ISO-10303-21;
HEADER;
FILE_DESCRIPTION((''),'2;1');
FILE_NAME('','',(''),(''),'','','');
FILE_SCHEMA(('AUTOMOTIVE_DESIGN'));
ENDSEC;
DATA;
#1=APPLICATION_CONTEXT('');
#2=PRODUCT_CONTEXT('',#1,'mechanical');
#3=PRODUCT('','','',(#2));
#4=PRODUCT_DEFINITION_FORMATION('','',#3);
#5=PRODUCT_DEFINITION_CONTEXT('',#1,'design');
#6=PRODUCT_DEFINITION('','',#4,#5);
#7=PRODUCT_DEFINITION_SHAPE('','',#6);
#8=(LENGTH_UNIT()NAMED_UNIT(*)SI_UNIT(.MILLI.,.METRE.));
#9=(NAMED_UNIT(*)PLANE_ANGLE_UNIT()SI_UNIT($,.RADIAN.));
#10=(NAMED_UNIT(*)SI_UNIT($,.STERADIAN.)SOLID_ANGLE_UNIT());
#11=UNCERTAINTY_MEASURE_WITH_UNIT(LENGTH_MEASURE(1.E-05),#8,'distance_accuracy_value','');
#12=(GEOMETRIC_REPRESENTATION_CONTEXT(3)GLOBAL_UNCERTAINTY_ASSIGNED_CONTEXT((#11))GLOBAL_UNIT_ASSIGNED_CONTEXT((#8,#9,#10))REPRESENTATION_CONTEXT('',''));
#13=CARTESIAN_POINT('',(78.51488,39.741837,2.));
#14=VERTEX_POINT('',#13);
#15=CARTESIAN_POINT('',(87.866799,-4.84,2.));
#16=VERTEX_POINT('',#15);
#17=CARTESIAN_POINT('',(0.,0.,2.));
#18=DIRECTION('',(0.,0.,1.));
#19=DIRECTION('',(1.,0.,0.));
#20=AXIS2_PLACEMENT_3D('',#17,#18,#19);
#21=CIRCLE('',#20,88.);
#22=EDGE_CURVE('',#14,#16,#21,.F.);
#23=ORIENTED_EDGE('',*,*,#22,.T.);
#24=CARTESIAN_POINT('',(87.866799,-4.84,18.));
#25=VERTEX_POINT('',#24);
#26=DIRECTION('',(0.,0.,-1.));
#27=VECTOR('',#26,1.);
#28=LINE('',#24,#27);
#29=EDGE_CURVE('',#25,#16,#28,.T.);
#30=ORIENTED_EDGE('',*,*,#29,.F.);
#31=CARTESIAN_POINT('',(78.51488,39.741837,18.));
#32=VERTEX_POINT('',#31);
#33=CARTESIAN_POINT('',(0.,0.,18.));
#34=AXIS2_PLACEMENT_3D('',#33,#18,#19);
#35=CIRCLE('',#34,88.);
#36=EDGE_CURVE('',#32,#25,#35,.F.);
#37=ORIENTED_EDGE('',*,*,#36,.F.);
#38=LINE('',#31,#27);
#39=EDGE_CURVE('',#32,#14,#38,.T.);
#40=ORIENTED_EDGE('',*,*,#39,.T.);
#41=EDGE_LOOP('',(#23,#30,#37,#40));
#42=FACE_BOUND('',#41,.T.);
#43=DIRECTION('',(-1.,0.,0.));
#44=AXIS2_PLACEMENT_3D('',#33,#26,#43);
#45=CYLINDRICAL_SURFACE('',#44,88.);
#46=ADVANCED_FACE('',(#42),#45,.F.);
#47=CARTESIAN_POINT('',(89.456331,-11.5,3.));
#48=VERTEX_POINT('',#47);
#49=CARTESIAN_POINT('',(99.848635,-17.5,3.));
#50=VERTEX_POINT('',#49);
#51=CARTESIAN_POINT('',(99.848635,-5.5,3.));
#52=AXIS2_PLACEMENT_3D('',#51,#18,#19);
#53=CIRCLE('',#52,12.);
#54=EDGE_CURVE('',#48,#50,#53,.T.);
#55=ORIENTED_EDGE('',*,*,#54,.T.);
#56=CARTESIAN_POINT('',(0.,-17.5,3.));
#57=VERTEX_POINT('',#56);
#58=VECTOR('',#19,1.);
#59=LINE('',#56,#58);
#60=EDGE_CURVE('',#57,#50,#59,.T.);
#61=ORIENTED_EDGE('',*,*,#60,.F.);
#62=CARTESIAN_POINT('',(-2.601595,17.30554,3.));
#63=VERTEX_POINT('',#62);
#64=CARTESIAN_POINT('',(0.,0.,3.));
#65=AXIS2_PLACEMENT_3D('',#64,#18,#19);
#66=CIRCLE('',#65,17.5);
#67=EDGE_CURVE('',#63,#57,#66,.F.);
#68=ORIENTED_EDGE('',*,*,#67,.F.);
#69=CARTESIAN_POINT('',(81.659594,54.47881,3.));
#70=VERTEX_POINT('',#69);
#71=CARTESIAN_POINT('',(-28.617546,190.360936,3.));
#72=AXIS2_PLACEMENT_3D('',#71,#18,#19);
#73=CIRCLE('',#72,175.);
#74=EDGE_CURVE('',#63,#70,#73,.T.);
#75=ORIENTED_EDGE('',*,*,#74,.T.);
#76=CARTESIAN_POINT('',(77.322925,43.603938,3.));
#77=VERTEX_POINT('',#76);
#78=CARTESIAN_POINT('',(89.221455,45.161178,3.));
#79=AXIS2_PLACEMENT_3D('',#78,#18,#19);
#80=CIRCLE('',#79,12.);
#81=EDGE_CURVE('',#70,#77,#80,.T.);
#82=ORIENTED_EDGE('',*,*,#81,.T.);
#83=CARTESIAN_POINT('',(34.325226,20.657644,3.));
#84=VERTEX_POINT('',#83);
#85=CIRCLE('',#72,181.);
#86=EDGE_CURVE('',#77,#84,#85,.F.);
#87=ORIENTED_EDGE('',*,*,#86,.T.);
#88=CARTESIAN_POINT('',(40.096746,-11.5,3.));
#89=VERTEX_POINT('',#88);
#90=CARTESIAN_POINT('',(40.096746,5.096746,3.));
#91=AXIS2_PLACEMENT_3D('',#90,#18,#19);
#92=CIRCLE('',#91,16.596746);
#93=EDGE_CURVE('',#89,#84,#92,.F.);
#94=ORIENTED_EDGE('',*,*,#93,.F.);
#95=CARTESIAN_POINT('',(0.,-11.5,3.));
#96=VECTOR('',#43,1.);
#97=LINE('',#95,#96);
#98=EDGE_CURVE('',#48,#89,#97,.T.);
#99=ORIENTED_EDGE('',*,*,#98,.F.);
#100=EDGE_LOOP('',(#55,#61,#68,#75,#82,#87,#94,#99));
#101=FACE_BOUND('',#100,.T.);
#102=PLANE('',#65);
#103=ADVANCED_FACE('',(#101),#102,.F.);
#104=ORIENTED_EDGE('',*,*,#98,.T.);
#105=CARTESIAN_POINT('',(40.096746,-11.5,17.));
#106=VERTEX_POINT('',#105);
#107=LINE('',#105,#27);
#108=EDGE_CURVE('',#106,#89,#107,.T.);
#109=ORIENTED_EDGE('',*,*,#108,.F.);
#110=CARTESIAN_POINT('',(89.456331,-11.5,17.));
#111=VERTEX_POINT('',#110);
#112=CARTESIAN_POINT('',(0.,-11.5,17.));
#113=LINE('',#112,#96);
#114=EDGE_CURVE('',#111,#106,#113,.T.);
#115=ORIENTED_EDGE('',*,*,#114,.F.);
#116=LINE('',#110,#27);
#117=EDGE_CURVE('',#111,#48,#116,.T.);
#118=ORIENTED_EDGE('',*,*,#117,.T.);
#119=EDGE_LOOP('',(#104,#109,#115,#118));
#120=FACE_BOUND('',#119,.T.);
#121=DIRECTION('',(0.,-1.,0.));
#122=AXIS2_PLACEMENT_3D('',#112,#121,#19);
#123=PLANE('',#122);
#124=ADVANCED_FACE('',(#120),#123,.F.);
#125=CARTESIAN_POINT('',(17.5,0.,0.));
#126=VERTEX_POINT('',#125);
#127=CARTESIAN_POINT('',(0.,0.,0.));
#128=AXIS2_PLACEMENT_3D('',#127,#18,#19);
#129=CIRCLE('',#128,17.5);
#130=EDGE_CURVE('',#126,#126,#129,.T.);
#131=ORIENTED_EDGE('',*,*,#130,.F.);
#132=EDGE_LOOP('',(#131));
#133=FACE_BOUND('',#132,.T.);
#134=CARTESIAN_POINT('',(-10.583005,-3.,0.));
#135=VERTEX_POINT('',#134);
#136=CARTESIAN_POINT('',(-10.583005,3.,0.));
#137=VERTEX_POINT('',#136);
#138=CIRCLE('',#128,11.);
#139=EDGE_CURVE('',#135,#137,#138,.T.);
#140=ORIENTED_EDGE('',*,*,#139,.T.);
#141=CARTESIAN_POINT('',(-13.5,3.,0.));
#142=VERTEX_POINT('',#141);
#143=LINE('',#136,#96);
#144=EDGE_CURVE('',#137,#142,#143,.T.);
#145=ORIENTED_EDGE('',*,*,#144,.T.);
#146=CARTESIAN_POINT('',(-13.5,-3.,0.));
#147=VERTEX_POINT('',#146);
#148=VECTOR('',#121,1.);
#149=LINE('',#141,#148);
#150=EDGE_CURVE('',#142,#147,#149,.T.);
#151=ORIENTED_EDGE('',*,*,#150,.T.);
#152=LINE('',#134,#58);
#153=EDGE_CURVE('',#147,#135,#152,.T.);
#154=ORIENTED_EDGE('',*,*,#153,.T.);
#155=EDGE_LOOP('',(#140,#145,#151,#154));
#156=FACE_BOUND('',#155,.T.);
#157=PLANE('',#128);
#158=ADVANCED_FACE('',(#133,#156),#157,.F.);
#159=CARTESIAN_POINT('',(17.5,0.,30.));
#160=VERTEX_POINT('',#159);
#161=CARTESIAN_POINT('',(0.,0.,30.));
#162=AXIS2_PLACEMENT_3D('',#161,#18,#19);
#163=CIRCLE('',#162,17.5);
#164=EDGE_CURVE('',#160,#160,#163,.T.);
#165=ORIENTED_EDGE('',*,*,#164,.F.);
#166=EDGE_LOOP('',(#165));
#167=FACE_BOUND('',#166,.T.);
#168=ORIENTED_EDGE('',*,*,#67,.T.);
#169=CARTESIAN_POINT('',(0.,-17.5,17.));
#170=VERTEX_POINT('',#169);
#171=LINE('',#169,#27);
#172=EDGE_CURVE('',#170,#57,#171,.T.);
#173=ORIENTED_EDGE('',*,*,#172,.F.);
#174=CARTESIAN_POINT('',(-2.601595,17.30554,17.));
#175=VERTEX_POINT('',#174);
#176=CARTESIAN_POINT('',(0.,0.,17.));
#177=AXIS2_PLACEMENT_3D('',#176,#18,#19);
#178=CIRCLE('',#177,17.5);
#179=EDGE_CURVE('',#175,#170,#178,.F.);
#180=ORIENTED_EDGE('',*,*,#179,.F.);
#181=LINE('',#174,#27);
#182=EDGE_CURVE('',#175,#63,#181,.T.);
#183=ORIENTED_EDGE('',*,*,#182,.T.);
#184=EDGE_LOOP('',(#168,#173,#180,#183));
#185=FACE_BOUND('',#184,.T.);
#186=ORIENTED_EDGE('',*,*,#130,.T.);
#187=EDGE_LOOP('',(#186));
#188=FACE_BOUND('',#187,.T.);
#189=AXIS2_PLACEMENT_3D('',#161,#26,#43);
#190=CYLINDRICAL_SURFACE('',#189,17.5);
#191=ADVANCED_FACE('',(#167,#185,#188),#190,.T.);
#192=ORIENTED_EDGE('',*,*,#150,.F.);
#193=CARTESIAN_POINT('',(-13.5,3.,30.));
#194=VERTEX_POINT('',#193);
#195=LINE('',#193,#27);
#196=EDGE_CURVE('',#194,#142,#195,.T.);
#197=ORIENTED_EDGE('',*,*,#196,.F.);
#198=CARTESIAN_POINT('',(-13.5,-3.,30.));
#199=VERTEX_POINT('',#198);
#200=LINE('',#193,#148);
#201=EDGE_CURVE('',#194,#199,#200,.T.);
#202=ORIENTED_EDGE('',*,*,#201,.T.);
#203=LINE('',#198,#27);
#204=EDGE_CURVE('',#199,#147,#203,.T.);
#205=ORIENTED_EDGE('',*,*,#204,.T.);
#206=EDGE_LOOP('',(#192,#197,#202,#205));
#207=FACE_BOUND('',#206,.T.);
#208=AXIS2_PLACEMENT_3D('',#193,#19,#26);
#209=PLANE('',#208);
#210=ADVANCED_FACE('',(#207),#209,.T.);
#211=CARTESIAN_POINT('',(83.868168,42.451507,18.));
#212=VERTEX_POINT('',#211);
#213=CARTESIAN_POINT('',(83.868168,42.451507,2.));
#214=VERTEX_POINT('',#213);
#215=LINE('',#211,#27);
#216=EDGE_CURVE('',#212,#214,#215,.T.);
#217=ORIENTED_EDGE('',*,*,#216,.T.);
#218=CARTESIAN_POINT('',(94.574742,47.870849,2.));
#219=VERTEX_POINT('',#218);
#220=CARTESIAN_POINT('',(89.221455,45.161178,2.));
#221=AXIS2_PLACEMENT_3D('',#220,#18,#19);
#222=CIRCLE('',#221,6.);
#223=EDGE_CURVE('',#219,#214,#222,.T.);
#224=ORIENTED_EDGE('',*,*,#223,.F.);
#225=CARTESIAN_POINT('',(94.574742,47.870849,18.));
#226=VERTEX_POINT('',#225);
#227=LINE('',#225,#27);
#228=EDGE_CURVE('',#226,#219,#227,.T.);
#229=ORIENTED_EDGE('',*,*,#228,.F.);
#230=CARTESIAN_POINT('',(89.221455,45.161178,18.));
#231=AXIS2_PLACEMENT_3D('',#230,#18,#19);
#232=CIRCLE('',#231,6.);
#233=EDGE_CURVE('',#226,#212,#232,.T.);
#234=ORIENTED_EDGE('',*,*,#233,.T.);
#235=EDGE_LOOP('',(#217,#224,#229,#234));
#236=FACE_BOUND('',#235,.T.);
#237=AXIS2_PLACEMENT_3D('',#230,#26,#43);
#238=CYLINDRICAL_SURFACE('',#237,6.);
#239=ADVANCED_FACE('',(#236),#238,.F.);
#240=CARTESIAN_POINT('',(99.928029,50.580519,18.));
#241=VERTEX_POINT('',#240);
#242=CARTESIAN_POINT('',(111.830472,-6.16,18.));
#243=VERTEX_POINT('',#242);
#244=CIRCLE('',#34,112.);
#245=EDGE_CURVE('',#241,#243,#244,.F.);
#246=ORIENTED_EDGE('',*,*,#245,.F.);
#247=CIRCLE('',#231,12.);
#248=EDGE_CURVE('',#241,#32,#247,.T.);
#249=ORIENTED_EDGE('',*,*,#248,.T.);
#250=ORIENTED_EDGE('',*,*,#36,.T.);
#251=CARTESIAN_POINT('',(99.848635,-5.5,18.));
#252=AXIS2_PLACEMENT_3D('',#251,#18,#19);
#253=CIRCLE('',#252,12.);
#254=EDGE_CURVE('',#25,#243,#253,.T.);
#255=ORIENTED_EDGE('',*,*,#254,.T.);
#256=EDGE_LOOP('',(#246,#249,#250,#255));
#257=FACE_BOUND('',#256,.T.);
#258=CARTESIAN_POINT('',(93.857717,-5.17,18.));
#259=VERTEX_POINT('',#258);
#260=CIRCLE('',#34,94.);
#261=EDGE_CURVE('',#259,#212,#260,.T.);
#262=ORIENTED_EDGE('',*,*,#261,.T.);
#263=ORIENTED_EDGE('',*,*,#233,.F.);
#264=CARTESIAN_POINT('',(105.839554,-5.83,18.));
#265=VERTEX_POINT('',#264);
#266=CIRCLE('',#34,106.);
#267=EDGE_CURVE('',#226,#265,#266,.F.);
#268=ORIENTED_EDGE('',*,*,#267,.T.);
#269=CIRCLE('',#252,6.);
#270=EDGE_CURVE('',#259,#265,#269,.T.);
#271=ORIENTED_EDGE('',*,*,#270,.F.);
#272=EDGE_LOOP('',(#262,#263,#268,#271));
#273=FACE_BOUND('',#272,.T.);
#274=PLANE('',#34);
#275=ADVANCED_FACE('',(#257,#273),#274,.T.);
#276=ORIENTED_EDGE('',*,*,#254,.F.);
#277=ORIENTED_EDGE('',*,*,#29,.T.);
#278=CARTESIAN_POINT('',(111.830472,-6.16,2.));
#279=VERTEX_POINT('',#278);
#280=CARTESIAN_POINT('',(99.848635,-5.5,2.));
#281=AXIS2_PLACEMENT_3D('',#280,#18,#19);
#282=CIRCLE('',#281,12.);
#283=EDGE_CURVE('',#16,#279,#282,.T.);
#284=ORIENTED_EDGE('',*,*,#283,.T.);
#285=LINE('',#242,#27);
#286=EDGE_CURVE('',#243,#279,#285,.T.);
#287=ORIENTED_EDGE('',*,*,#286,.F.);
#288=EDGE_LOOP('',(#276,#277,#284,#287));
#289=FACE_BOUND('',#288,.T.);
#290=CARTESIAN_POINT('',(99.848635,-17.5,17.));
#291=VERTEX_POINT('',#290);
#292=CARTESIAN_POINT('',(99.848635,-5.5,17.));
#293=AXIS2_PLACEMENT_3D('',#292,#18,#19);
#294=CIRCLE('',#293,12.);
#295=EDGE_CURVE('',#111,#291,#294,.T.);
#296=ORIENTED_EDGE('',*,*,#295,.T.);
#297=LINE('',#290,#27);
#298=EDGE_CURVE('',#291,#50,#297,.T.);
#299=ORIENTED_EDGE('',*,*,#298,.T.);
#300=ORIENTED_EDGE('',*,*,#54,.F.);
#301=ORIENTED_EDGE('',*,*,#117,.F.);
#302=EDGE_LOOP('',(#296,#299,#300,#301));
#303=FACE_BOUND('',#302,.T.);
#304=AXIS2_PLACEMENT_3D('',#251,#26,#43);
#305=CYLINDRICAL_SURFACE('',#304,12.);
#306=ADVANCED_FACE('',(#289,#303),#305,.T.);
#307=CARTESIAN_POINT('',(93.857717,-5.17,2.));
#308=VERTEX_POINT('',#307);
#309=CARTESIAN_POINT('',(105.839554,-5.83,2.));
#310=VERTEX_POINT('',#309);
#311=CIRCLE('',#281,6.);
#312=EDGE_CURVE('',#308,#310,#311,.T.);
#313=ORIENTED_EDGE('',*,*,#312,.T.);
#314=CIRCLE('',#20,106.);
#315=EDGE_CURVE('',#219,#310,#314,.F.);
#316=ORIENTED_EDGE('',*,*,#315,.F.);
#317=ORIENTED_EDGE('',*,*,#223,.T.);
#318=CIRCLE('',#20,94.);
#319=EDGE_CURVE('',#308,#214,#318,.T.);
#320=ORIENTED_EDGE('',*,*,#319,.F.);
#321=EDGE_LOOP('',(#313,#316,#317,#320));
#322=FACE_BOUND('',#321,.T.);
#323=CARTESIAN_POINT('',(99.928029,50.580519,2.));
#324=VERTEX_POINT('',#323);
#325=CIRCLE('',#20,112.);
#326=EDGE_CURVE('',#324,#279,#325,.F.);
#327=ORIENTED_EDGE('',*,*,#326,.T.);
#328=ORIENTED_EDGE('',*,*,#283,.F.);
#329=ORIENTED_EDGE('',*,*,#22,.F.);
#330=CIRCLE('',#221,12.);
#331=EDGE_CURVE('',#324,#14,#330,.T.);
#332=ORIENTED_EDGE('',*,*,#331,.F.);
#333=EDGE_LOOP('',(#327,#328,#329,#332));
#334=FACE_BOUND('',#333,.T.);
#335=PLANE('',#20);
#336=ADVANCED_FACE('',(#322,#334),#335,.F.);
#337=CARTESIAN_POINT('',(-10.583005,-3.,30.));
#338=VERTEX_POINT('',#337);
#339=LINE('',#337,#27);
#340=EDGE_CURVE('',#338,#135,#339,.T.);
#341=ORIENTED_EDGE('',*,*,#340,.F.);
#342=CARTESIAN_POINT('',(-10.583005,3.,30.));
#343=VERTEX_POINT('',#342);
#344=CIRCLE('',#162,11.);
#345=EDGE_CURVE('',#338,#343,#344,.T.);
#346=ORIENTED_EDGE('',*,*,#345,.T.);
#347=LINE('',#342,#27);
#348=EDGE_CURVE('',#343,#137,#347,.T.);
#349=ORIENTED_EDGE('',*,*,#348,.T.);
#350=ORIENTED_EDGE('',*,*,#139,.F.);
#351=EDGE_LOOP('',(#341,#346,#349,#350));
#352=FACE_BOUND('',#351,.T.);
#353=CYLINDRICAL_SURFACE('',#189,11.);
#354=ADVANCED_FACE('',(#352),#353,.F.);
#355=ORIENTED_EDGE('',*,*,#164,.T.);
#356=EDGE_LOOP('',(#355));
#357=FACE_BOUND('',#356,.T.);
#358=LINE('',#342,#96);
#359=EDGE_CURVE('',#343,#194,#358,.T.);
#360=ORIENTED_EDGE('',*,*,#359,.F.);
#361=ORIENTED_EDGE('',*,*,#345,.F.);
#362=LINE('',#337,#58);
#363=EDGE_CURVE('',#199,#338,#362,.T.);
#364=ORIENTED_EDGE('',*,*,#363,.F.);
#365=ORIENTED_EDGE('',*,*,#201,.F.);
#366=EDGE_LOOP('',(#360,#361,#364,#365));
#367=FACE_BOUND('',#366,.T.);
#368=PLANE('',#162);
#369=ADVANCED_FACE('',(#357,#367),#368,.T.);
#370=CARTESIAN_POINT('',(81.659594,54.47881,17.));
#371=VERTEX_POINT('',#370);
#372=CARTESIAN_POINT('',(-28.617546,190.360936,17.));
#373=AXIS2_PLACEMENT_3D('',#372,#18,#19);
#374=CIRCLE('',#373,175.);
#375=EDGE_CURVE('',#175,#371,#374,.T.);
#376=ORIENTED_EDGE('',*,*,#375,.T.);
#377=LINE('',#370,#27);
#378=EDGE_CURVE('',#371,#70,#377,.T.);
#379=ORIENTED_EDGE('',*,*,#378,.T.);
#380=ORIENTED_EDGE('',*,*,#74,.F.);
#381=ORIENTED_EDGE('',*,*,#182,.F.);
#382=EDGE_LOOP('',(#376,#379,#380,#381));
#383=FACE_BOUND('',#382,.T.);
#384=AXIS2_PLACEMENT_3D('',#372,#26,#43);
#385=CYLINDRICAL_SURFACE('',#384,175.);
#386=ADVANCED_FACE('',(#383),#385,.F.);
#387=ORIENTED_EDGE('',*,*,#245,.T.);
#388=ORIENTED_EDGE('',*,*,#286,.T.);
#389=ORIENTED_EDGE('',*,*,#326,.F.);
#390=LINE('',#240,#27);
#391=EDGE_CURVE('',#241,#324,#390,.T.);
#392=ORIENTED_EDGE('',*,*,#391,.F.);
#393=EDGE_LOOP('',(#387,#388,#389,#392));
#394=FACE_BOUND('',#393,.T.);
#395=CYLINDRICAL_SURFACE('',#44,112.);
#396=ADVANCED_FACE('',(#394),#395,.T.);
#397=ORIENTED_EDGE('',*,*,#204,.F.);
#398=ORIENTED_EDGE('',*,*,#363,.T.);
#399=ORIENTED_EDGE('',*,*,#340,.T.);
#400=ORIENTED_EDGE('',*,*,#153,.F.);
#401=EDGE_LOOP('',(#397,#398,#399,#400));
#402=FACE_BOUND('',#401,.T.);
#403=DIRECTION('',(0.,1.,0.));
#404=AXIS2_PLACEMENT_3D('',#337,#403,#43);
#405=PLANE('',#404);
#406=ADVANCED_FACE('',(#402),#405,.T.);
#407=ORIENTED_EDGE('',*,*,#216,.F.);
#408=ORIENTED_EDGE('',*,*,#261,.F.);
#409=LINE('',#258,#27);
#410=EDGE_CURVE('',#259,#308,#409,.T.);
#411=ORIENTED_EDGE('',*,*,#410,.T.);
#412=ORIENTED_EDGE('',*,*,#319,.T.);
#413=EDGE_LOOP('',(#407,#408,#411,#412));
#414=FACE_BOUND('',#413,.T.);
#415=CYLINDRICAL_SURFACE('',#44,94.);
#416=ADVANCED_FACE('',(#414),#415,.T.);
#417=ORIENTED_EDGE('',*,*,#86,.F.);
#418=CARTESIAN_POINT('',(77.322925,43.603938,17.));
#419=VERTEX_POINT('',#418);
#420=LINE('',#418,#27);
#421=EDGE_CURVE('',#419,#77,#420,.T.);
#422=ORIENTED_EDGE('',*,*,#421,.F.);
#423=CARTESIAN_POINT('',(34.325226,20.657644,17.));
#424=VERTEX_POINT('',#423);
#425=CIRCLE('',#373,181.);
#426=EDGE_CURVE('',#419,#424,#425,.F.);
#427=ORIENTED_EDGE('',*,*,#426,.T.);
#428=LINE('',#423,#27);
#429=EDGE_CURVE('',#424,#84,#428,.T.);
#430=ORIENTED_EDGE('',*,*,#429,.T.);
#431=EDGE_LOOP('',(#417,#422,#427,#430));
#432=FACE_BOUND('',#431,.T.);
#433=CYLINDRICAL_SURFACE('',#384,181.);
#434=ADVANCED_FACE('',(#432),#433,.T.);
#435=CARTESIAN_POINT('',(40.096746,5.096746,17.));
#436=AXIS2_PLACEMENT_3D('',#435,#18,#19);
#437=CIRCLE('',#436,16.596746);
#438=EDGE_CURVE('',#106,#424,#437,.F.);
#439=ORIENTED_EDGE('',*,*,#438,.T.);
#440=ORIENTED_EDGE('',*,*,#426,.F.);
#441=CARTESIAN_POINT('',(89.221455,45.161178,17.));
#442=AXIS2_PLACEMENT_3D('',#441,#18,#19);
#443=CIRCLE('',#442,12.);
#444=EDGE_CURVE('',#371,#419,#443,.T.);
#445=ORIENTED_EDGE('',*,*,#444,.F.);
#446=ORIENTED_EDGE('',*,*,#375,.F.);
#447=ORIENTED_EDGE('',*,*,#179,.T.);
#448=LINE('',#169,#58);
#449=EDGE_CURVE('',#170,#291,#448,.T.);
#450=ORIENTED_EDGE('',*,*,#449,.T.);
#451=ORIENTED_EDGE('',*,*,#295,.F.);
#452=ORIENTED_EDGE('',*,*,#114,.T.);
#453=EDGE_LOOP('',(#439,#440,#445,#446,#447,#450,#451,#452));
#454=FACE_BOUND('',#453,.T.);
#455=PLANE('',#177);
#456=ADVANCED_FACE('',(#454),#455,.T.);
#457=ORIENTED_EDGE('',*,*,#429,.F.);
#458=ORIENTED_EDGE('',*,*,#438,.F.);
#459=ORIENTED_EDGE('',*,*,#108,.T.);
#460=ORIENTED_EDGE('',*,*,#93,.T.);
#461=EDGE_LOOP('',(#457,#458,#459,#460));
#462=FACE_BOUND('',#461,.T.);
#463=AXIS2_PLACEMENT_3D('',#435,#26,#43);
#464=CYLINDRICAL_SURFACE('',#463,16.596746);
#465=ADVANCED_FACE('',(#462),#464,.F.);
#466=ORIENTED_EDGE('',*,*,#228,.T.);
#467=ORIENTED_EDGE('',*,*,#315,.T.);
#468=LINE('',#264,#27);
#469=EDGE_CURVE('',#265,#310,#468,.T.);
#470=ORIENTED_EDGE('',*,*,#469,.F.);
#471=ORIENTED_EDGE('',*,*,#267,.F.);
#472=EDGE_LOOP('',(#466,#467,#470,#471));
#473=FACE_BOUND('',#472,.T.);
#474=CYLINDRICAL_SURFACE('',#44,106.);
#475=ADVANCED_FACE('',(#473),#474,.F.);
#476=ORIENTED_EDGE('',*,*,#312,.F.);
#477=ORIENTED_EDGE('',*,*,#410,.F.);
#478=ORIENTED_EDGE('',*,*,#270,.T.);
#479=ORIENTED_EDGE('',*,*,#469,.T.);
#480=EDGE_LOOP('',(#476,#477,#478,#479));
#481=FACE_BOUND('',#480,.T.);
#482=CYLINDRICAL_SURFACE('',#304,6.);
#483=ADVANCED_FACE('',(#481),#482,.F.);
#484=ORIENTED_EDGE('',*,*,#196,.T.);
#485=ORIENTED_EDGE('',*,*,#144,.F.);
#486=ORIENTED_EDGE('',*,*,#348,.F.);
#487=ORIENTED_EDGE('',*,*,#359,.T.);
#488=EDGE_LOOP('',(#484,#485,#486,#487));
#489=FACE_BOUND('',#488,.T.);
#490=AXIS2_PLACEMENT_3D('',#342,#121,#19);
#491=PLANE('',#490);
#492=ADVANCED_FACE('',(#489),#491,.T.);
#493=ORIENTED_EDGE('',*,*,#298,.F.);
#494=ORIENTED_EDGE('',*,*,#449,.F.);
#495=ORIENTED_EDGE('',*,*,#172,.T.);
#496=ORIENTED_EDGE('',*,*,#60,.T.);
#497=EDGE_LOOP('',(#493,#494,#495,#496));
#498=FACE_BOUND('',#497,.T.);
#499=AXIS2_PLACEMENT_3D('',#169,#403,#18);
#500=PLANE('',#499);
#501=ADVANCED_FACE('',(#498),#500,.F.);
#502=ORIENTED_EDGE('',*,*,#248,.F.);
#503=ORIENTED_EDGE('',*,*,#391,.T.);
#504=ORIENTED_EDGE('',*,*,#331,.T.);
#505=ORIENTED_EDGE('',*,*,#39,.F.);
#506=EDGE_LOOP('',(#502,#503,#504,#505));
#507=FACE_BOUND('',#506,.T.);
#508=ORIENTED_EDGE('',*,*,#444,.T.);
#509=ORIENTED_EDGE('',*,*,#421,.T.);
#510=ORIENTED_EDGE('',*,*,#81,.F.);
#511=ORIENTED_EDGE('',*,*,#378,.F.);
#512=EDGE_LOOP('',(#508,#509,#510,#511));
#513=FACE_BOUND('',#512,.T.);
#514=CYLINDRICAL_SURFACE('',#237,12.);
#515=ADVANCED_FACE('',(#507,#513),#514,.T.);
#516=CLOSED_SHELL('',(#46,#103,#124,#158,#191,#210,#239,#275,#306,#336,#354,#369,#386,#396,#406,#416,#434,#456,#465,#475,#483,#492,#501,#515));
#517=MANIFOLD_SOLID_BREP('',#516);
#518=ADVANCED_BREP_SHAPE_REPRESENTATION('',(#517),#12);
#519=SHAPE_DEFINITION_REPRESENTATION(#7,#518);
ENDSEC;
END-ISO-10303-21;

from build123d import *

# Parameters (mm, degrees)
SKETCH1_R           = 17.5
BOSS_EXTRUDE1_DEPTH = 30
BOSS_EXTRUDE2_DEPTH = 7
BOSS_EXTRUDE3_DEPTH = 8


with BuildPart() as part:
    # Sketch1 → Boss-Extrude1 (new body)
    with BuildSketch(Plane.XY):
        Circle(SKETCH1_R)
        with BuildLine():
            Line((-10.583005244, 3), (-13.5, 3))
            Line((-13.5, 3), (-13.5, -3))
            Line((-13.5, -3), (-10.583005244, -3))
            ThreePointArc((-10.583005244, -3), (11, 0), (-10.583005244, 3))
        make_face(mode=Mode.SUBTRACT)
    extrude(amount=BOSS_EXTRUDE1_DEPTH)

    # Sketch2 → Boss-Extrude2 (add, symmetric)
    with BuildSketch(Plane.XY.offset(10)):
        with BuildLine():
            ThreePointArc((-2.601595129, 17.305539656), (17.451317199, 1.304426314), (0, -17.5))
            Line((0, -17.5), (99.848635444, -17.5))
            ThreePointArc((99.848635444, -17.5), (93.848635444, -15.892304845), (89.456330598, -11.5))
            Line((89.456330598, -11.5), (40.096746205, -11.5))
            ThreePointArc((40.096746205, -11.5), (23.76101461, 2.164876864), (34.325225686, 20.65764385))
            ThreePointArc((34.325225686, 20.65764385), (56.599943686, 30.676937705), (77.322925322, 43.603938264))
            ThreePointArc((77.322925322, 43.603938264), (78.075047047, 49.606129473), (81.659593785, 54.478809544))
            ThreePointArc((81.659593785, 54.478809544), (42.018242639, 30.249770758), (-2.601595129, 17.305539656))
        make_face()
    extrude(amount=BOSS_EXTRUDE2_DEPTH, both=True)

    # Sketch2<3> → Boss-Extrude3 (add, symmetric)
    with BuildSketch(Plane.XY.offset(10)):
        with BuildLine():
            ThreePointArc((89.456330598, -11.5), (93.848635444, -15.892304845), (99.848635444, -17.5))
            ThreePointArc((99.848635444, -17.5), (108.097271695, -14.215503428), (111.830471697, -6.16))
            ThreePointArc((111.830471697, -6.16), (109.614266096, 22.993752808), (99.928029407, 50.580519361))
            ThreePointArc((99.928029407, 50.580519361), (91.725745624, 56.896957805), (81.659593785, 54.478809544))
            ThreePointArc((81.659593785, 54.478809544), (78.075047047, 49.606129473), (77.322925322, 43.603938264))
            ThreePointArc((77.322925322, 43.603938264), (77.75512848, 41.622342022), (78.514880248, 39.741836641))
            ThreePointArc((78.514880248, 39.741836641), (86.12549479, 18.066520063), (87.866799191, -4.84))
            ThreePointArc((87.866799191, -4.84), (88.176469943, -8.285776826), (89.456330598, -11.5))
        make_face()
        with BuildLine():
            ThreePointArc((105.83955357, -5.83), (99.518635444, -11.490918127), (93.857717317, -5.17))
            ThreePointArc((93.857717317, -5.17), (91.997687616, 19.29832825), (83.868167538, 42.451507321))
            ThreePointArc((83.868167538, 42.451507321), (86.511784148, 50.514465291), (94.574742117, 47.870848681))
            ThreePointArc((94.574742117, 47.870848681), (103.74207327, 21.761944622), (105.83955357, -5.83))
        make_face(mode=Mode.SUBTRACT)
    extrude(amount=BOSS_EXTRUDE3_DEPTH, both=True)


solid = part.part
